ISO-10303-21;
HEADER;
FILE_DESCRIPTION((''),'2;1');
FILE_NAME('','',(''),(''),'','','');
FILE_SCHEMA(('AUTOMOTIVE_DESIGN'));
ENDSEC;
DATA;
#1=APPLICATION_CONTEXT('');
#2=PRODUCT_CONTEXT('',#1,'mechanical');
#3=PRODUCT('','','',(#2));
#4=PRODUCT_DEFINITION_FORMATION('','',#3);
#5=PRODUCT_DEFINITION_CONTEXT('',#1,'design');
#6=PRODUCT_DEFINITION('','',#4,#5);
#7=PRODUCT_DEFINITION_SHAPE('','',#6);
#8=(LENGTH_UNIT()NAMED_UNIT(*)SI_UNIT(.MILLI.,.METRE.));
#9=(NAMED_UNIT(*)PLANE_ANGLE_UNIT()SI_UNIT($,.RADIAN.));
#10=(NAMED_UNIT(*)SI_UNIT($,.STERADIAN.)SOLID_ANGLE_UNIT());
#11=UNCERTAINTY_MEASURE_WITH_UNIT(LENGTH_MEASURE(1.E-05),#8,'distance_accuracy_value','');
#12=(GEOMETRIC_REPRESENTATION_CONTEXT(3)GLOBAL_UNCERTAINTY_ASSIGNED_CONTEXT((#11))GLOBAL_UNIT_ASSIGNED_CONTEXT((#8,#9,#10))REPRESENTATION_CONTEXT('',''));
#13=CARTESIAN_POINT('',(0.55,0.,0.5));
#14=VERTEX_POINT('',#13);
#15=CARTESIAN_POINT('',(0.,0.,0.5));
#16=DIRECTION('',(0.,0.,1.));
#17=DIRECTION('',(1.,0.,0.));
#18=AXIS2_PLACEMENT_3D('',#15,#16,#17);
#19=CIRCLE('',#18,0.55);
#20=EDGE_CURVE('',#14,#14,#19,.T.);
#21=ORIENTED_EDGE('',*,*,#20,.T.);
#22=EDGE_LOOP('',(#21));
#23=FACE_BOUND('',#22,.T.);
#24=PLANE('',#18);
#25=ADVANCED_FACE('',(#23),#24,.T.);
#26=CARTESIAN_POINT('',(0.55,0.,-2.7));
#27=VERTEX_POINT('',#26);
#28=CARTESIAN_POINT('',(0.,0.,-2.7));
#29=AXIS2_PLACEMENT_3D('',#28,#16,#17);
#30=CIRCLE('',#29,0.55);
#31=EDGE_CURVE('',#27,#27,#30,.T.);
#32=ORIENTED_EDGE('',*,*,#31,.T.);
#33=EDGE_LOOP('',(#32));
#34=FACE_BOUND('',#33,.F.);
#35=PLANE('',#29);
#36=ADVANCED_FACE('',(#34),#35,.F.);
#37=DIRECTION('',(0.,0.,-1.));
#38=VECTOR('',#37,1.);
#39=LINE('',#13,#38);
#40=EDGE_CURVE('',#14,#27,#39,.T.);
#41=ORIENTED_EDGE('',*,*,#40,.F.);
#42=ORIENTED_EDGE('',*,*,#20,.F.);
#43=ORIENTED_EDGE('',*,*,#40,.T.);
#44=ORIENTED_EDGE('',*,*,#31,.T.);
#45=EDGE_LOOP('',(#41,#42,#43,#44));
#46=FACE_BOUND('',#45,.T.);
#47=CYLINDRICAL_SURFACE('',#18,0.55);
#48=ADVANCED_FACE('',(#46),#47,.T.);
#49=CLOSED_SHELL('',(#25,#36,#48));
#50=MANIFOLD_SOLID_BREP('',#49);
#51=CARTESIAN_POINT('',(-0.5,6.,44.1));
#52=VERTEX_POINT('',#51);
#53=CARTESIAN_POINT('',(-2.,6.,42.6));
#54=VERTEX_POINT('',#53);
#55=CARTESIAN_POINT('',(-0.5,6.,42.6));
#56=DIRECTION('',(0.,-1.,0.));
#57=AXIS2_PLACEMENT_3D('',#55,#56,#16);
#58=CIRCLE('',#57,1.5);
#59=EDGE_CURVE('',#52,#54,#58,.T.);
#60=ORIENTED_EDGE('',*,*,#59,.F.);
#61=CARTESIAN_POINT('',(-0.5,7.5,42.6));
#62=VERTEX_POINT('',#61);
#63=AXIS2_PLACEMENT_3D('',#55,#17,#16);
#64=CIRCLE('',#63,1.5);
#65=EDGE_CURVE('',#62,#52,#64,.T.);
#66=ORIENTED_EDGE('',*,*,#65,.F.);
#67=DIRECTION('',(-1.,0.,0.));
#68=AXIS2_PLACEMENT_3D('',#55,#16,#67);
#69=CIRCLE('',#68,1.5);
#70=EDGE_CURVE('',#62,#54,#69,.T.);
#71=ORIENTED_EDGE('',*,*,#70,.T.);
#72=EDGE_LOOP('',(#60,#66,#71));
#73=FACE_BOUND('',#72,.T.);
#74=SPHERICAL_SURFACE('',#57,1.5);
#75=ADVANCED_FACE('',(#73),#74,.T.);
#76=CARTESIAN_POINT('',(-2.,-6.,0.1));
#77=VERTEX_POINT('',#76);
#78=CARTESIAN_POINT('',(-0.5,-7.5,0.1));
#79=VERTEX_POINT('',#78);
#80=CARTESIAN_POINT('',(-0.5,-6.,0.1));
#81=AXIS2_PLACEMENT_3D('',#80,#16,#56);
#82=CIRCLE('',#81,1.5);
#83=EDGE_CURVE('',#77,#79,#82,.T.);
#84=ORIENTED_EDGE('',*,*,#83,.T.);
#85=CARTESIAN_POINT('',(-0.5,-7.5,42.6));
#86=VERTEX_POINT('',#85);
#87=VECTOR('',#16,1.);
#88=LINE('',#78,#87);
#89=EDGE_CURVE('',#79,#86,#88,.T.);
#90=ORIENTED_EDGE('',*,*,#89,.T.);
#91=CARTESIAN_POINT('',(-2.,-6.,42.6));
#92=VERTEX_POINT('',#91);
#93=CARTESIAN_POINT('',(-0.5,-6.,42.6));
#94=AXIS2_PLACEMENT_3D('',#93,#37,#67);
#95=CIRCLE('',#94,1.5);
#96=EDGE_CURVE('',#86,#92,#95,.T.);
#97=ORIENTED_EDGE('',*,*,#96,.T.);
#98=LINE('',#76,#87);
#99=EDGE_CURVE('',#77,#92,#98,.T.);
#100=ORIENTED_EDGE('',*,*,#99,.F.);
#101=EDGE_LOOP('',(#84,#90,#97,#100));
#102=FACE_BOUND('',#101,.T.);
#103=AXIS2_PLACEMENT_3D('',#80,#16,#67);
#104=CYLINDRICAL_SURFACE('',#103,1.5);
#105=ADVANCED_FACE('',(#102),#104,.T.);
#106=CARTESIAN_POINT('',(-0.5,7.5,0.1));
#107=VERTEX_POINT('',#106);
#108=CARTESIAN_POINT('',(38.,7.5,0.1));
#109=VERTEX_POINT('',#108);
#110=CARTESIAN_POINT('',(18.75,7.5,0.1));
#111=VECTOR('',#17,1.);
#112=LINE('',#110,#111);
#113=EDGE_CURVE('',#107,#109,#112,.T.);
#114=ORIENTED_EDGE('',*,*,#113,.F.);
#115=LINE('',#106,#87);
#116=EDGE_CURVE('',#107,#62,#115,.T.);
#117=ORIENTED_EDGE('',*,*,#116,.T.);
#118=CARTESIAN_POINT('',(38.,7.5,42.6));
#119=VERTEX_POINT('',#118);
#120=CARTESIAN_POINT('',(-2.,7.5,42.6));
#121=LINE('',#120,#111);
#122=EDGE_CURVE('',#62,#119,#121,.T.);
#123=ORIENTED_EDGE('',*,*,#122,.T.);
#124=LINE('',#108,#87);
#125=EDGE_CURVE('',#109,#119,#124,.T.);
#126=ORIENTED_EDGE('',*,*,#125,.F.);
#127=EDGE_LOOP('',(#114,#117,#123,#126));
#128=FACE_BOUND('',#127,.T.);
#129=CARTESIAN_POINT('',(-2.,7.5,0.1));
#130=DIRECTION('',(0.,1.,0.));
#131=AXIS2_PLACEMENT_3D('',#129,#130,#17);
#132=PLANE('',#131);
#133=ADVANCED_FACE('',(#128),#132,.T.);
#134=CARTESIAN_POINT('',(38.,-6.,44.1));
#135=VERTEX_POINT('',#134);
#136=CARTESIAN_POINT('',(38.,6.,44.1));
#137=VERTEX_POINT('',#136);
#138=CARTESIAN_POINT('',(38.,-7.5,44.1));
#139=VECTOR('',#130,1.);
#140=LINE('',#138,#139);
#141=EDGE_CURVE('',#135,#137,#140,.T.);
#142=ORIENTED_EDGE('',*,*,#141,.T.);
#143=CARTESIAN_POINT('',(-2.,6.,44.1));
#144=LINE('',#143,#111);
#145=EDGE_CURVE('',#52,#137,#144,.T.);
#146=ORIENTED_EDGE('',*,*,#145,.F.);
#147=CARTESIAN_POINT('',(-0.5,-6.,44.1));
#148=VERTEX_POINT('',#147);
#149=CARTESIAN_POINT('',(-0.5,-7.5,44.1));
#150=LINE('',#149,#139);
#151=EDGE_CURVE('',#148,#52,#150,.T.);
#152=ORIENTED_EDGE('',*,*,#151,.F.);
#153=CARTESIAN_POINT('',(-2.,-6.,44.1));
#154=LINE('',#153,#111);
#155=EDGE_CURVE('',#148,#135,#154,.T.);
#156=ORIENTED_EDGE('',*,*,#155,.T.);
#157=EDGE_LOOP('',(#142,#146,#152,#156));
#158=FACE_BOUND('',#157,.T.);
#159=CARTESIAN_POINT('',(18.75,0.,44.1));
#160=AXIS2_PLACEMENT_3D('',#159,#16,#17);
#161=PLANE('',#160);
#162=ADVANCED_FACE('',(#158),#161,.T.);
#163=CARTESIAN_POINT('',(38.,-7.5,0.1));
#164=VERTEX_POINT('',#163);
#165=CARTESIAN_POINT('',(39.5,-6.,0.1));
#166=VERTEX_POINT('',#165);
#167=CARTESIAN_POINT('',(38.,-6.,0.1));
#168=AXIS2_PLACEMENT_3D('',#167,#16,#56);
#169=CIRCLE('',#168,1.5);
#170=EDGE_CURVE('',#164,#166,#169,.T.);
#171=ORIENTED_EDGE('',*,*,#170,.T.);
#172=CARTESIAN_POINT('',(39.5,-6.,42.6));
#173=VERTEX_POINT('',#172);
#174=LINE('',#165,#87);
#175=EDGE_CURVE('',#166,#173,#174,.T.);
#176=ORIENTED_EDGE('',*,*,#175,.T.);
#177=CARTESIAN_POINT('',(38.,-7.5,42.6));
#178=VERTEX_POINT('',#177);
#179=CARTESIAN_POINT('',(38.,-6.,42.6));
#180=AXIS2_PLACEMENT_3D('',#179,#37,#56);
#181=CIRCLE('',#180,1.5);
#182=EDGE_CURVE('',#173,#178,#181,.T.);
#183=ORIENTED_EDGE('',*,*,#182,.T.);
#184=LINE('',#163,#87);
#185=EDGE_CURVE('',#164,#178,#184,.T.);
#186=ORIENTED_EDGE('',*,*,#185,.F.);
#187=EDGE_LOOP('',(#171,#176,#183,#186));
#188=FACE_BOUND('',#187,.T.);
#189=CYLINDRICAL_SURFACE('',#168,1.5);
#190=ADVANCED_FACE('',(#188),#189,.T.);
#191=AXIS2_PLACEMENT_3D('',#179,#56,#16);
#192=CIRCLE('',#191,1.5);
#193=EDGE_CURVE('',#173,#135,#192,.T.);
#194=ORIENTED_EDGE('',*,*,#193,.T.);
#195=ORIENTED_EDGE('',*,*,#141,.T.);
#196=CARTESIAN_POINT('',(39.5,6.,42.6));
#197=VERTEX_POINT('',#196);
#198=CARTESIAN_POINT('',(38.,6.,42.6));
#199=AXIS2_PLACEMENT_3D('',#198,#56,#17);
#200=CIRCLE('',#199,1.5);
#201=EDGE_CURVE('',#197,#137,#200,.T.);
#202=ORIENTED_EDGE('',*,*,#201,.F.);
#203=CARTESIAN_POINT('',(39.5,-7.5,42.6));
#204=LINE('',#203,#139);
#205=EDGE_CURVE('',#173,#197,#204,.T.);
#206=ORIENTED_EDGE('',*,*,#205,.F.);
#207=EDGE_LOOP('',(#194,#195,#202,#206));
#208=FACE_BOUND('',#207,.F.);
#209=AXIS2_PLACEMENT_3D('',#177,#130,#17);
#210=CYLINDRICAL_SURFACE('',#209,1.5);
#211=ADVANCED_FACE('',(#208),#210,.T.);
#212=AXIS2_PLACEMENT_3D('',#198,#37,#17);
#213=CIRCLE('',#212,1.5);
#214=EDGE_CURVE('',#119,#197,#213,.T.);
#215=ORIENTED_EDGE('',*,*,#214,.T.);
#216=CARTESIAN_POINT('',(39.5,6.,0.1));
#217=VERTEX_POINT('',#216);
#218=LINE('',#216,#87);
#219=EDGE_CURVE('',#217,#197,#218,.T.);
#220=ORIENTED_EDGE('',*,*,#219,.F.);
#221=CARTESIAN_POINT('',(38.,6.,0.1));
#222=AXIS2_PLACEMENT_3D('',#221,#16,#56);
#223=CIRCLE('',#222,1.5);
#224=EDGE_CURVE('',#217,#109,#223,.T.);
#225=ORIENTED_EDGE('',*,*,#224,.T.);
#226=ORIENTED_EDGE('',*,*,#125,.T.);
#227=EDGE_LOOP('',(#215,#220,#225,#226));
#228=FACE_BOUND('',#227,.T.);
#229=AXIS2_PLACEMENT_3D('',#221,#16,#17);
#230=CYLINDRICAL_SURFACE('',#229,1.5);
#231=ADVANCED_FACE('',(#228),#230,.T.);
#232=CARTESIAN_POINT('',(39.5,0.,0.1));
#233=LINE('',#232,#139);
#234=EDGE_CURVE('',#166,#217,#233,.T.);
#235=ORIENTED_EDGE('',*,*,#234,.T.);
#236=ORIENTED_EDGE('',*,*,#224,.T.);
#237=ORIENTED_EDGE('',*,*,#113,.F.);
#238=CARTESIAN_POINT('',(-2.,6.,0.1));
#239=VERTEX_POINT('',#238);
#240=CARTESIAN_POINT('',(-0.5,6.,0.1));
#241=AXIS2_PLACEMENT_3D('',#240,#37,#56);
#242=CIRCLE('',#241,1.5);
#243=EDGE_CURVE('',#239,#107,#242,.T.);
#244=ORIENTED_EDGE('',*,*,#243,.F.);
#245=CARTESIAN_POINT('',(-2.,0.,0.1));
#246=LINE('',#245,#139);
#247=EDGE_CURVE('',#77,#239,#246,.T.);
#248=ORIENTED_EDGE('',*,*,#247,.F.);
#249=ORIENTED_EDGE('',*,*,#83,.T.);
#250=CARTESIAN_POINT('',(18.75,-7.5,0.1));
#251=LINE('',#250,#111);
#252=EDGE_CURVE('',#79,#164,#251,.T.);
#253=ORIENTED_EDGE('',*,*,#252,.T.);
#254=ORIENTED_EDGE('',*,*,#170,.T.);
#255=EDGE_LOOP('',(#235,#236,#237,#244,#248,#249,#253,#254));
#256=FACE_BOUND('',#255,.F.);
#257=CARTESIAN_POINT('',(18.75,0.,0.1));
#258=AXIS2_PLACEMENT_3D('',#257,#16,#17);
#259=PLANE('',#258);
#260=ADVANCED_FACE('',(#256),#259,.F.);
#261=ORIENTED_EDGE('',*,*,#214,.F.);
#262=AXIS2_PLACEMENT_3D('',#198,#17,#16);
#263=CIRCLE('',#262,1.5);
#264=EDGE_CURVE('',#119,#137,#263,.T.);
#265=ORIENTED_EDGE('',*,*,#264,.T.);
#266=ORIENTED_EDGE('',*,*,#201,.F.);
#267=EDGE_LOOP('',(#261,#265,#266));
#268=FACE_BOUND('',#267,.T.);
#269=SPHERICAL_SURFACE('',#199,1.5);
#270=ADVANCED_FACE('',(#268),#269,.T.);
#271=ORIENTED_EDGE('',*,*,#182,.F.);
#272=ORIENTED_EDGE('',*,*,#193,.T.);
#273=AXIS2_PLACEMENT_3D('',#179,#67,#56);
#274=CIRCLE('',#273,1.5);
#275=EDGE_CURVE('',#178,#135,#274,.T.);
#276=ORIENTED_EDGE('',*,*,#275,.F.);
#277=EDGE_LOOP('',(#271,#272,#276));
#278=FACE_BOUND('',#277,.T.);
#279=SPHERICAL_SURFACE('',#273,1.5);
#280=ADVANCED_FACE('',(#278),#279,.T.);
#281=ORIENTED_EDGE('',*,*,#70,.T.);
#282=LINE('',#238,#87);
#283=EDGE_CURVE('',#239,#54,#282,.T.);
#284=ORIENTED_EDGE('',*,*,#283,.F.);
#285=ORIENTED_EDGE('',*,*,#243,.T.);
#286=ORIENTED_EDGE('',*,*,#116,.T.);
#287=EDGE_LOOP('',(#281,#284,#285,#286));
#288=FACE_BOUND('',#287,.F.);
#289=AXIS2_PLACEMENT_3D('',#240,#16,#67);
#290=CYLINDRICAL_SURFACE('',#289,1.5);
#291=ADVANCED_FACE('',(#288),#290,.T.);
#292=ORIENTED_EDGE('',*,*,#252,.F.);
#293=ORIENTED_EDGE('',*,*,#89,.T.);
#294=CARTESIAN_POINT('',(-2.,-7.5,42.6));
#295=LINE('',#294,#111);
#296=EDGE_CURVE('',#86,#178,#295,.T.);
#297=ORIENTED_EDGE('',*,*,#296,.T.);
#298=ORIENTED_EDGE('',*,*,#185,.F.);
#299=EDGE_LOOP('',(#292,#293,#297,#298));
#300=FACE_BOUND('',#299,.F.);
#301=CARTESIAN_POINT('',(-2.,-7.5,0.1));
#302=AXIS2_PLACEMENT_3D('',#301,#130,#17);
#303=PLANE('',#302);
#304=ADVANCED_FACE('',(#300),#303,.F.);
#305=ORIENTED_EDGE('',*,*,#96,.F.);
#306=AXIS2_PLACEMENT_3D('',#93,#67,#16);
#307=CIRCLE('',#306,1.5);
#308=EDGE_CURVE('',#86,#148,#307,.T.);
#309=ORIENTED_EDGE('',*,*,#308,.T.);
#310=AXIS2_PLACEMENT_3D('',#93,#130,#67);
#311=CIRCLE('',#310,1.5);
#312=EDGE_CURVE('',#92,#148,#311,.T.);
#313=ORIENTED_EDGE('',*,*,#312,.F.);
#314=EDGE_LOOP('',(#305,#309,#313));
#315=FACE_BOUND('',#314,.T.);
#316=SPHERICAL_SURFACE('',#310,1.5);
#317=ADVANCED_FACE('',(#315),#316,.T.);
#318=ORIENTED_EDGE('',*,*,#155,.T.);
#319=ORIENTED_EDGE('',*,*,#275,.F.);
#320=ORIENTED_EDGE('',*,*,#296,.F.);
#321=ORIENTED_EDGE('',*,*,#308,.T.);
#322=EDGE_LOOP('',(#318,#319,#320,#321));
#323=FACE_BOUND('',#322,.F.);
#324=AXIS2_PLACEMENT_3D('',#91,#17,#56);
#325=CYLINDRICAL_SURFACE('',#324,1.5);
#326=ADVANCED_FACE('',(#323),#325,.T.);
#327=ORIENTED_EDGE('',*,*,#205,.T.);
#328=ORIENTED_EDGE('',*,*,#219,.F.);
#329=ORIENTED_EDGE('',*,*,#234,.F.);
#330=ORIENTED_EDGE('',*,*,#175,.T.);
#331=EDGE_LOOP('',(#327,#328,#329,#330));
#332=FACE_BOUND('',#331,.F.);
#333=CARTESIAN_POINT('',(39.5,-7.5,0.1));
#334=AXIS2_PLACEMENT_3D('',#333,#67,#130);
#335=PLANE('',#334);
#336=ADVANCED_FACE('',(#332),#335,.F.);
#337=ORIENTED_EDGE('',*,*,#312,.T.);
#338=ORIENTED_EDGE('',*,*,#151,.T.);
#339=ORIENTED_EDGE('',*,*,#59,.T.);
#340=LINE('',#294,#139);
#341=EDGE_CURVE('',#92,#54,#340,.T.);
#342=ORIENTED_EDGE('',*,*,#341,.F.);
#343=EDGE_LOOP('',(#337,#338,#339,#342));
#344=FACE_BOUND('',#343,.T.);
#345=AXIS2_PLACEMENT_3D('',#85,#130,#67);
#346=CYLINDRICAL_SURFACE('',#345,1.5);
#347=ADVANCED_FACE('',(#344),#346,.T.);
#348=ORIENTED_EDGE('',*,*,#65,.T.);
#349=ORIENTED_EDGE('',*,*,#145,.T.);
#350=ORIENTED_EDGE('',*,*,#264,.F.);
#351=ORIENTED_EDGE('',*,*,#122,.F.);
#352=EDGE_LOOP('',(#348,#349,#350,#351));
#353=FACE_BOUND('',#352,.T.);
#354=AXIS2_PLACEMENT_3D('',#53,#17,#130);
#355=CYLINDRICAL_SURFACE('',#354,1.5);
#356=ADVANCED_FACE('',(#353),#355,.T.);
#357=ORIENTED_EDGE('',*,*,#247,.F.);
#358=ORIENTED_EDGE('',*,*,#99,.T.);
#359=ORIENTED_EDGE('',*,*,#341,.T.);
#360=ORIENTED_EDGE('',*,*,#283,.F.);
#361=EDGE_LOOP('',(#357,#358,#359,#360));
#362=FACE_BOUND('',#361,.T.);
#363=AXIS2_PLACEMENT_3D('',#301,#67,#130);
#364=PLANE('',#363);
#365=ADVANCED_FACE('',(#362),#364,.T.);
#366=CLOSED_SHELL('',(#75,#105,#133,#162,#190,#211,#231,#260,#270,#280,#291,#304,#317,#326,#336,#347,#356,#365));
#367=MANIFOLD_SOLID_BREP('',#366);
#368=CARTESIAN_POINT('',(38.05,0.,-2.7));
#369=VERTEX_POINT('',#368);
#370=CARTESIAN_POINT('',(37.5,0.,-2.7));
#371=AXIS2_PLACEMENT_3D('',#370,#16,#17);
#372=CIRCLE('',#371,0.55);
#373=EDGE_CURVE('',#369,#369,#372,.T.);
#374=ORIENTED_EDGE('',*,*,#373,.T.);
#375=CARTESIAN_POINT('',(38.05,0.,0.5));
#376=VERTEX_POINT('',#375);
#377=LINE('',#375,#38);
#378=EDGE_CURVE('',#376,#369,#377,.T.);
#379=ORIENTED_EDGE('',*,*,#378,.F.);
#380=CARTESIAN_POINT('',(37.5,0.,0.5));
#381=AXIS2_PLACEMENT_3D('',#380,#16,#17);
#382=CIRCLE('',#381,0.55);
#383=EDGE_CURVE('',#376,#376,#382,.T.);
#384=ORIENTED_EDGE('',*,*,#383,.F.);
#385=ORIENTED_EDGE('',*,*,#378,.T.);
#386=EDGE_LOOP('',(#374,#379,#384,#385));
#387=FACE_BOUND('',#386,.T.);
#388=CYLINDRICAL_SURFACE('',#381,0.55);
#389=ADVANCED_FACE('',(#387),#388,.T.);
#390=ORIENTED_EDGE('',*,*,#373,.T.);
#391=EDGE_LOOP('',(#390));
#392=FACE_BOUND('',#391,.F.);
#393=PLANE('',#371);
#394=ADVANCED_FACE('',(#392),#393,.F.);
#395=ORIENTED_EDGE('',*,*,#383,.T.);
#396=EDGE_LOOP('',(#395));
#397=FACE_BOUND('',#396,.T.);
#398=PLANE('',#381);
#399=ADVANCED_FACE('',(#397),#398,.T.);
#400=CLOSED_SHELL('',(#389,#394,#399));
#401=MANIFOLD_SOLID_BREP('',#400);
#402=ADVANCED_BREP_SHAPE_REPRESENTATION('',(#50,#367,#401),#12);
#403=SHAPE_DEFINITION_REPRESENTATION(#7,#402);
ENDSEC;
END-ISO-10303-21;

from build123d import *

# Parameters (mm, degrees)
SKETCH_W     = 41.5
SKETCH_H     = 15
PAD_DEPTH    = 44
FILLET_R     = 1.5
SKETCH001_R  = 0.55
PAD001_DEPTH = 3.2


with BuildPart() as fillet_body:
    # Sketch → Pad (new body)
    with BuildSketch(Plane.XY.offset(0.1)):
        with Locations((18.75, 0)):
            Rectangle(SKETCH_W, SKETCH_H)
    extrude(amount=PAD_DEPTH)

    # Fillet
    fillet_edges = [fillet_body.edges().sort_by_distance(p)[0] for p in [
        (-2, 0, 44.1),
        (-2, -7.5, 22.1),
        (18.75, -7.5, 44.1),
        (39.5, -7.5, 22.1),
        (39.5, 0, 44.1),
        (39.5, 7.5, 22.1),
        (18.75, 7.5, 44.1),
        (-2, 7.5, 22.1),
    ]]
    fillet(fillet_edges, radius=FILLET_R)


with BuildPart() as pad001:
    # Sketch001 → Pad001 (new body)
    with BuildSketch(Plane.XY.offset(0.5)):
        Circle(SKETCH001_R)
        with Locations((37.5, 0)):
            Circle(SKETCH001_R)
    extrude(amount=-PAD001_DEPTH)


solid = Compound([fillet_body.part, pad001.part])
